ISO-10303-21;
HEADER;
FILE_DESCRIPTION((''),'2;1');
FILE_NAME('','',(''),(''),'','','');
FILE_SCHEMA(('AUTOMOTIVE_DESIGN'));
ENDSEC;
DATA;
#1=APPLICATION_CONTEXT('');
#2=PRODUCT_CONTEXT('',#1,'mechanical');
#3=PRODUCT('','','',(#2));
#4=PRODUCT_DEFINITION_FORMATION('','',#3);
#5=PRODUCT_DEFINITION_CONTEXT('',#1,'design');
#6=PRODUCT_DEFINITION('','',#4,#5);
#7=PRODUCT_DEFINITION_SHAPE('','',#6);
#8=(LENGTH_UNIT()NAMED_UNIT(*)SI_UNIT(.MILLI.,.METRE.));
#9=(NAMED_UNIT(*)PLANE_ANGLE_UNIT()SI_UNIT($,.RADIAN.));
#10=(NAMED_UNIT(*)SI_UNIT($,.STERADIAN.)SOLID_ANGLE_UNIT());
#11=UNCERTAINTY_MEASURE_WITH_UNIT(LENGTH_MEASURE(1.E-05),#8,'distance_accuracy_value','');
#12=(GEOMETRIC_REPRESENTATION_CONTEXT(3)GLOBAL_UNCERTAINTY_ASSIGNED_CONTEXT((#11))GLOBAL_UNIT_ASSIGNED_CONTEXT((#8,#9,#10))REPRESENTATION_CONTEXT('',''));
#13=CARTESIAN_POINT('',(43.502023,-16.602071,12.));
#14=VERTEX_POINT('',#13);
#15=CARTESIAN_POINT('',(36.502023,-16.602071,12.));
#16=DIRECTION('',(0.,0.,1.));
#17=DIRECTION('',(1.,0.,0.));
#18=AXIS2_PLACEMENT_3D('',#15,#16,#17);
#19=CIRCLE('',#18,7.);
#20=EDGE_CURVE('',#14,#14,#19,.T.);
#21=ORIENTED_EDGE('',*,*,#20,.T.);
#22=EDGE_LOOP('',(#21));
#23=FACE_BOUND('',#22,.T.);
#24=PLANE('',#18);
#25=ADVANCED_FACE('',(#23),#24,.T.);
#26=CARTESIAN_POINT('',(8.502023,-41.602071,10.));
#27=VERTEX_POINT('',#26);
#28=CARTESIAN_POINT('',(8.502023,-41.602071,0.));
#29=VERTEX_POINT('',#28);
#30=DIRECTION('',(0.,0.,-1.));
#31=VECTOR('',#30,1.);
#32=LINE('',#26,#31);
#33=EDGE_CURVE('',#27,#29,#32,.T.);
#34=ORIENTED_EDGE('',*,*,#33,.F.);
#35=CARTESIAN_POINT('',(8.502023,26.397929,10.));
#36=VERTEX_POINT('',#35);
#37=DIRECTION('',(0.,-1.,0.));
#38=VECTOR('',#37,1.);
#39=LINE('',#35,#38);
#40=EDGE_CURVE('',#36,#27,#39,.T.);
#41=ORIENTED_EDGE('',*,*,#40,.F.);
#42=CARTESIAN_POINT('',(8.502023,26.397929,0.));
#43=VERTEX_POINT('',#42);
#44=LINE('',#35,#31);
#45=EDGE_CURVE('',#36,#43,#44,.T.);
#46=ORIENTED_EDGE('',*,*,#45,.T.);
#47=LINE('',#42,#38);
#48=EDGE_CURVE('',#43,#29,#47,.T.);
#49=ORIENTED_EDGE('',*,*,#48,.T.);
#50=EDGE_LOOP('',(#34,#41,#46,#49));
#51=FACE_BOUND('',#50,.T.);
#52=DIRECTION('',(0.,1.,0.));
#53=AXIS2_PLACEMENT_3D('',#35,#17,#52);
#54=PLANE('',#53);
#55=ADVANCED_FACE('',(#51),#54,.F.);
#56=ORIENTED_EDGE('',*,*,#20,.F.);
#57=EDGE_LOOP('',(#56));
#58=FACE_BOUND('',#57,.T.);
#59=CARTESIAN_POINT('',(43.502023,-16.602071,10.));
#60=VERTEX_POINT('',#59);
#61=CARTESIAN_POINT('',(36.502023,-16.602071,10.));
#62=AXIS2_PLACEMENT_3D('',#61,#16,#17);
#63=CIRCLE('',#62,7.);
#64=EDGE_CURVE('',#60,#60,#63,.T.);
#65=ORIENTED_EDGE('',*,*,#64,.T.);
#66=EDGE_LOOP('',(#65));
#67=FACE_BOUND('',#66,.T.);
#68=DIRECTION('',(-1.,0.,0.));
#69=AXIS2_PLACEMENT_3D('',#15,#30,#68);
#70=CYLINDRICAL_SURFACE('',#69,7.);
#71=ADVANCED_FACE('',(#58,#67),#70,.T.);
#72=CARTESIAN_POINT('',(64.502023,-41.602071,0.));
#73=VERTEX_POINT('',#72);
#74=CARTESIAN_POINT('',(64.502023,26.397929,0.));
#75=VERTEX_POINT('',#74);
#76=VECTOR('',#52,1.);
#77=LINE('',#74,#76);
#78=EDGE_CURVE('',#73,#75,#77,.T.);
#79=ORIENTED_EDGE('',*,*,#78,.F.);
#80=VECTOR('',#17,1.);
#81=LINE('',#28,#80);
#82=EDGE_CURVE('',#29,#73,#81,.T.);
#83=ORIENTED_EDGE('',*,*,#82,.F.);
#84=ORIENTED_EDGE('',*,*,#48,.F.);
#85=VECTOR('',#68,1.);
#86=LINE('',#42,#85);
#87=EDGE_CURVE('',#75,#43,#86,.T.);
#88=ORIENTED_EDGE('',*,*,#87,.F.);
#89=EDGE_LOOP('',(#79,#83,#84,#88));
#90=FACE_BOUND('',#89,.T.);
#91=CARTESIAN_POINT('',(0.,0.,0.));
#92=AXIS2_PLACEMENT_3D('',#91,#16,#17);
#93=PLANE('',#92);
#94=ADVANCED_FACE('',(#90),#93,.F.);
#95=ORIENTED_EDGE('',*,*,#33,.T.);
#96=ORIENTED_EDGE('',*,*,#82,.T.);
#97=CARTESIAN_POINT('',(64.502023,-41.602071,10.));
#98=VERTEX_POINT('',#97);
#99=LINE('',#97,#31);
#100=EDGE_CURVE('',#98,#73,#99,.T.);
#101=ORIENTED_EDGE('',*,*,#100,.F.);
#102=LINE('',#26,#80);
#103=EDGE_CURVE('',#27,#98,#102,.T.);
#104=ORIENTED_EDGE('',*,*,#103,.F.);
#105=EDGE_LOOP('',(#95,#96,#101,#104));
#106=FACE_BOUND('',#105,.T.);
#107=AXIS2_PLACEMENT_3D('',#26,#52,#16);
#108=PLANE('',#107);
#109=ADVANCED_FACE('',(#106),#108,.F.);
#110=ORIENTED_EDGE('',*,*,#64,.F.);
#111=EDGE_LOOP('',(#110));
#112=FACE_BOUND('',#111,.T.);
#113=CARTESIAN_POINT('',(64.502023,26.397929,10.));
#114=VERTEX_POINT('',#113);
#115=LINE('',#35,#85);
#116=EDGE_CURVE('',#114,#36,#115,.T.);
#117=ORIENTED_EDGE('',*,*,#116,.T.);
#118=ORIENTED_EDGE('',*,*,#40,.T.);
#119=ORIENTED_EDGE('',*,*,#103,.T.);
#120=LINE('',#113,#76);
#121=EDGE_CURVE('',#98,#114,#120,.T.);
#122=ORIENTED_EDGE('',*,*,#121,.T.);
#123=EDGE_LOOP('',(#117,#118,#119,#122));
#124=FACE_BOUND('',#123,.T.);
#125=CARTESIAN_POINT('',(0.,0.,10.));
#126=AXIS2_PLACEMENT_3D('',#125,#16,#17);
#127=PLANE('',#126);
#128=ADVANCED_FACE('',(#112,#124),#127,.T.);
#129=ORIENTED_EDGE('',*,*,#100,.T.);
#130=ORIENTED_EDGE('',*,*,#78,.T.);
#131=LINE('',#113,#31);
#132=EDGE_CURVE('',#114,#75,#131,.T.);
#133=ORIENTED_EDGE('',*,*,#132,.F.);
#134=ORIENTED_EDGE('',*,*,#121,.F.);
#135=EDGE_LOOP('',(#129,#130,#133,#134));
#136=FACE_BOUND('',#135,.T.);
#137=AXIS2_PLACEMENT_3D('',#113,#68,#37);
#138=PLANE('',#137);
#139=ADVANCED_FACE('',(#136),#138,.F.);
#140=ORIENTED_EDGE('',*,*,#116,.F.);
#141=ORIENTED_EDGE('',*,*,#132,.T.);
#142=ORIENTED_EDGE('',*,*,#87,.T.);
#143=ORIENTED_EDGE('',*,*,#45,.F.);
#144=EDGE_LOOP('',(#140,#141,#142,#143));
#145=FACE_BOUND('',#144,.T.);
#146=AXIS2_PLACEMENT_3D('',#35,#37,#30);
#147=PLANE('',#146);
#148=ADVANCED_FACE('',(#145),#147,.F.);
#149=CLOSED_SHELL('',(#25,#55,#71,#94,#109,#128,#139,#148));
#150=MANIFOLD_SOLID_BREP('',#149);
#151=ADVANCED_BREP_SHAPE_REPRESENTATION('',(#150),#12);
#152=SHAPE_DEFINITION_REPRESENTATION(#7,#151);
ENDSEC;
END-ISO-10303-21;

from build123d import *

# Parameters (mm, degrees)
SKETCH_1_W      = 56
SKETCH_1_H      = 68
EXTRUDE_1_DEPTH = 10
SKETCH_2_R      = 7
EXTRUDE_2_DEPTH = 2


with BuildPart() as part:
    # 草图1 → 凸台-拉伸1 (new body)
    with BuildSketch(Plane.XY):
        with Locations((36.502022567, -7.602070613)):
            Rectangle(SKETCH_1_W, SKETCH_1_H)
    extrude(amount=EXTRUDE_1_DEPTH)

    # 草图2 → 凸台-拉伸2 (add)
    with BuildSketch(Plane.XY.offset(10)):
        with Locations((36.502022567, -16.602070613)):
            Circle(SKETCH_2_R)
    extrude(amount=EXTRUDE_2_DEPTH)


solid = part.part
